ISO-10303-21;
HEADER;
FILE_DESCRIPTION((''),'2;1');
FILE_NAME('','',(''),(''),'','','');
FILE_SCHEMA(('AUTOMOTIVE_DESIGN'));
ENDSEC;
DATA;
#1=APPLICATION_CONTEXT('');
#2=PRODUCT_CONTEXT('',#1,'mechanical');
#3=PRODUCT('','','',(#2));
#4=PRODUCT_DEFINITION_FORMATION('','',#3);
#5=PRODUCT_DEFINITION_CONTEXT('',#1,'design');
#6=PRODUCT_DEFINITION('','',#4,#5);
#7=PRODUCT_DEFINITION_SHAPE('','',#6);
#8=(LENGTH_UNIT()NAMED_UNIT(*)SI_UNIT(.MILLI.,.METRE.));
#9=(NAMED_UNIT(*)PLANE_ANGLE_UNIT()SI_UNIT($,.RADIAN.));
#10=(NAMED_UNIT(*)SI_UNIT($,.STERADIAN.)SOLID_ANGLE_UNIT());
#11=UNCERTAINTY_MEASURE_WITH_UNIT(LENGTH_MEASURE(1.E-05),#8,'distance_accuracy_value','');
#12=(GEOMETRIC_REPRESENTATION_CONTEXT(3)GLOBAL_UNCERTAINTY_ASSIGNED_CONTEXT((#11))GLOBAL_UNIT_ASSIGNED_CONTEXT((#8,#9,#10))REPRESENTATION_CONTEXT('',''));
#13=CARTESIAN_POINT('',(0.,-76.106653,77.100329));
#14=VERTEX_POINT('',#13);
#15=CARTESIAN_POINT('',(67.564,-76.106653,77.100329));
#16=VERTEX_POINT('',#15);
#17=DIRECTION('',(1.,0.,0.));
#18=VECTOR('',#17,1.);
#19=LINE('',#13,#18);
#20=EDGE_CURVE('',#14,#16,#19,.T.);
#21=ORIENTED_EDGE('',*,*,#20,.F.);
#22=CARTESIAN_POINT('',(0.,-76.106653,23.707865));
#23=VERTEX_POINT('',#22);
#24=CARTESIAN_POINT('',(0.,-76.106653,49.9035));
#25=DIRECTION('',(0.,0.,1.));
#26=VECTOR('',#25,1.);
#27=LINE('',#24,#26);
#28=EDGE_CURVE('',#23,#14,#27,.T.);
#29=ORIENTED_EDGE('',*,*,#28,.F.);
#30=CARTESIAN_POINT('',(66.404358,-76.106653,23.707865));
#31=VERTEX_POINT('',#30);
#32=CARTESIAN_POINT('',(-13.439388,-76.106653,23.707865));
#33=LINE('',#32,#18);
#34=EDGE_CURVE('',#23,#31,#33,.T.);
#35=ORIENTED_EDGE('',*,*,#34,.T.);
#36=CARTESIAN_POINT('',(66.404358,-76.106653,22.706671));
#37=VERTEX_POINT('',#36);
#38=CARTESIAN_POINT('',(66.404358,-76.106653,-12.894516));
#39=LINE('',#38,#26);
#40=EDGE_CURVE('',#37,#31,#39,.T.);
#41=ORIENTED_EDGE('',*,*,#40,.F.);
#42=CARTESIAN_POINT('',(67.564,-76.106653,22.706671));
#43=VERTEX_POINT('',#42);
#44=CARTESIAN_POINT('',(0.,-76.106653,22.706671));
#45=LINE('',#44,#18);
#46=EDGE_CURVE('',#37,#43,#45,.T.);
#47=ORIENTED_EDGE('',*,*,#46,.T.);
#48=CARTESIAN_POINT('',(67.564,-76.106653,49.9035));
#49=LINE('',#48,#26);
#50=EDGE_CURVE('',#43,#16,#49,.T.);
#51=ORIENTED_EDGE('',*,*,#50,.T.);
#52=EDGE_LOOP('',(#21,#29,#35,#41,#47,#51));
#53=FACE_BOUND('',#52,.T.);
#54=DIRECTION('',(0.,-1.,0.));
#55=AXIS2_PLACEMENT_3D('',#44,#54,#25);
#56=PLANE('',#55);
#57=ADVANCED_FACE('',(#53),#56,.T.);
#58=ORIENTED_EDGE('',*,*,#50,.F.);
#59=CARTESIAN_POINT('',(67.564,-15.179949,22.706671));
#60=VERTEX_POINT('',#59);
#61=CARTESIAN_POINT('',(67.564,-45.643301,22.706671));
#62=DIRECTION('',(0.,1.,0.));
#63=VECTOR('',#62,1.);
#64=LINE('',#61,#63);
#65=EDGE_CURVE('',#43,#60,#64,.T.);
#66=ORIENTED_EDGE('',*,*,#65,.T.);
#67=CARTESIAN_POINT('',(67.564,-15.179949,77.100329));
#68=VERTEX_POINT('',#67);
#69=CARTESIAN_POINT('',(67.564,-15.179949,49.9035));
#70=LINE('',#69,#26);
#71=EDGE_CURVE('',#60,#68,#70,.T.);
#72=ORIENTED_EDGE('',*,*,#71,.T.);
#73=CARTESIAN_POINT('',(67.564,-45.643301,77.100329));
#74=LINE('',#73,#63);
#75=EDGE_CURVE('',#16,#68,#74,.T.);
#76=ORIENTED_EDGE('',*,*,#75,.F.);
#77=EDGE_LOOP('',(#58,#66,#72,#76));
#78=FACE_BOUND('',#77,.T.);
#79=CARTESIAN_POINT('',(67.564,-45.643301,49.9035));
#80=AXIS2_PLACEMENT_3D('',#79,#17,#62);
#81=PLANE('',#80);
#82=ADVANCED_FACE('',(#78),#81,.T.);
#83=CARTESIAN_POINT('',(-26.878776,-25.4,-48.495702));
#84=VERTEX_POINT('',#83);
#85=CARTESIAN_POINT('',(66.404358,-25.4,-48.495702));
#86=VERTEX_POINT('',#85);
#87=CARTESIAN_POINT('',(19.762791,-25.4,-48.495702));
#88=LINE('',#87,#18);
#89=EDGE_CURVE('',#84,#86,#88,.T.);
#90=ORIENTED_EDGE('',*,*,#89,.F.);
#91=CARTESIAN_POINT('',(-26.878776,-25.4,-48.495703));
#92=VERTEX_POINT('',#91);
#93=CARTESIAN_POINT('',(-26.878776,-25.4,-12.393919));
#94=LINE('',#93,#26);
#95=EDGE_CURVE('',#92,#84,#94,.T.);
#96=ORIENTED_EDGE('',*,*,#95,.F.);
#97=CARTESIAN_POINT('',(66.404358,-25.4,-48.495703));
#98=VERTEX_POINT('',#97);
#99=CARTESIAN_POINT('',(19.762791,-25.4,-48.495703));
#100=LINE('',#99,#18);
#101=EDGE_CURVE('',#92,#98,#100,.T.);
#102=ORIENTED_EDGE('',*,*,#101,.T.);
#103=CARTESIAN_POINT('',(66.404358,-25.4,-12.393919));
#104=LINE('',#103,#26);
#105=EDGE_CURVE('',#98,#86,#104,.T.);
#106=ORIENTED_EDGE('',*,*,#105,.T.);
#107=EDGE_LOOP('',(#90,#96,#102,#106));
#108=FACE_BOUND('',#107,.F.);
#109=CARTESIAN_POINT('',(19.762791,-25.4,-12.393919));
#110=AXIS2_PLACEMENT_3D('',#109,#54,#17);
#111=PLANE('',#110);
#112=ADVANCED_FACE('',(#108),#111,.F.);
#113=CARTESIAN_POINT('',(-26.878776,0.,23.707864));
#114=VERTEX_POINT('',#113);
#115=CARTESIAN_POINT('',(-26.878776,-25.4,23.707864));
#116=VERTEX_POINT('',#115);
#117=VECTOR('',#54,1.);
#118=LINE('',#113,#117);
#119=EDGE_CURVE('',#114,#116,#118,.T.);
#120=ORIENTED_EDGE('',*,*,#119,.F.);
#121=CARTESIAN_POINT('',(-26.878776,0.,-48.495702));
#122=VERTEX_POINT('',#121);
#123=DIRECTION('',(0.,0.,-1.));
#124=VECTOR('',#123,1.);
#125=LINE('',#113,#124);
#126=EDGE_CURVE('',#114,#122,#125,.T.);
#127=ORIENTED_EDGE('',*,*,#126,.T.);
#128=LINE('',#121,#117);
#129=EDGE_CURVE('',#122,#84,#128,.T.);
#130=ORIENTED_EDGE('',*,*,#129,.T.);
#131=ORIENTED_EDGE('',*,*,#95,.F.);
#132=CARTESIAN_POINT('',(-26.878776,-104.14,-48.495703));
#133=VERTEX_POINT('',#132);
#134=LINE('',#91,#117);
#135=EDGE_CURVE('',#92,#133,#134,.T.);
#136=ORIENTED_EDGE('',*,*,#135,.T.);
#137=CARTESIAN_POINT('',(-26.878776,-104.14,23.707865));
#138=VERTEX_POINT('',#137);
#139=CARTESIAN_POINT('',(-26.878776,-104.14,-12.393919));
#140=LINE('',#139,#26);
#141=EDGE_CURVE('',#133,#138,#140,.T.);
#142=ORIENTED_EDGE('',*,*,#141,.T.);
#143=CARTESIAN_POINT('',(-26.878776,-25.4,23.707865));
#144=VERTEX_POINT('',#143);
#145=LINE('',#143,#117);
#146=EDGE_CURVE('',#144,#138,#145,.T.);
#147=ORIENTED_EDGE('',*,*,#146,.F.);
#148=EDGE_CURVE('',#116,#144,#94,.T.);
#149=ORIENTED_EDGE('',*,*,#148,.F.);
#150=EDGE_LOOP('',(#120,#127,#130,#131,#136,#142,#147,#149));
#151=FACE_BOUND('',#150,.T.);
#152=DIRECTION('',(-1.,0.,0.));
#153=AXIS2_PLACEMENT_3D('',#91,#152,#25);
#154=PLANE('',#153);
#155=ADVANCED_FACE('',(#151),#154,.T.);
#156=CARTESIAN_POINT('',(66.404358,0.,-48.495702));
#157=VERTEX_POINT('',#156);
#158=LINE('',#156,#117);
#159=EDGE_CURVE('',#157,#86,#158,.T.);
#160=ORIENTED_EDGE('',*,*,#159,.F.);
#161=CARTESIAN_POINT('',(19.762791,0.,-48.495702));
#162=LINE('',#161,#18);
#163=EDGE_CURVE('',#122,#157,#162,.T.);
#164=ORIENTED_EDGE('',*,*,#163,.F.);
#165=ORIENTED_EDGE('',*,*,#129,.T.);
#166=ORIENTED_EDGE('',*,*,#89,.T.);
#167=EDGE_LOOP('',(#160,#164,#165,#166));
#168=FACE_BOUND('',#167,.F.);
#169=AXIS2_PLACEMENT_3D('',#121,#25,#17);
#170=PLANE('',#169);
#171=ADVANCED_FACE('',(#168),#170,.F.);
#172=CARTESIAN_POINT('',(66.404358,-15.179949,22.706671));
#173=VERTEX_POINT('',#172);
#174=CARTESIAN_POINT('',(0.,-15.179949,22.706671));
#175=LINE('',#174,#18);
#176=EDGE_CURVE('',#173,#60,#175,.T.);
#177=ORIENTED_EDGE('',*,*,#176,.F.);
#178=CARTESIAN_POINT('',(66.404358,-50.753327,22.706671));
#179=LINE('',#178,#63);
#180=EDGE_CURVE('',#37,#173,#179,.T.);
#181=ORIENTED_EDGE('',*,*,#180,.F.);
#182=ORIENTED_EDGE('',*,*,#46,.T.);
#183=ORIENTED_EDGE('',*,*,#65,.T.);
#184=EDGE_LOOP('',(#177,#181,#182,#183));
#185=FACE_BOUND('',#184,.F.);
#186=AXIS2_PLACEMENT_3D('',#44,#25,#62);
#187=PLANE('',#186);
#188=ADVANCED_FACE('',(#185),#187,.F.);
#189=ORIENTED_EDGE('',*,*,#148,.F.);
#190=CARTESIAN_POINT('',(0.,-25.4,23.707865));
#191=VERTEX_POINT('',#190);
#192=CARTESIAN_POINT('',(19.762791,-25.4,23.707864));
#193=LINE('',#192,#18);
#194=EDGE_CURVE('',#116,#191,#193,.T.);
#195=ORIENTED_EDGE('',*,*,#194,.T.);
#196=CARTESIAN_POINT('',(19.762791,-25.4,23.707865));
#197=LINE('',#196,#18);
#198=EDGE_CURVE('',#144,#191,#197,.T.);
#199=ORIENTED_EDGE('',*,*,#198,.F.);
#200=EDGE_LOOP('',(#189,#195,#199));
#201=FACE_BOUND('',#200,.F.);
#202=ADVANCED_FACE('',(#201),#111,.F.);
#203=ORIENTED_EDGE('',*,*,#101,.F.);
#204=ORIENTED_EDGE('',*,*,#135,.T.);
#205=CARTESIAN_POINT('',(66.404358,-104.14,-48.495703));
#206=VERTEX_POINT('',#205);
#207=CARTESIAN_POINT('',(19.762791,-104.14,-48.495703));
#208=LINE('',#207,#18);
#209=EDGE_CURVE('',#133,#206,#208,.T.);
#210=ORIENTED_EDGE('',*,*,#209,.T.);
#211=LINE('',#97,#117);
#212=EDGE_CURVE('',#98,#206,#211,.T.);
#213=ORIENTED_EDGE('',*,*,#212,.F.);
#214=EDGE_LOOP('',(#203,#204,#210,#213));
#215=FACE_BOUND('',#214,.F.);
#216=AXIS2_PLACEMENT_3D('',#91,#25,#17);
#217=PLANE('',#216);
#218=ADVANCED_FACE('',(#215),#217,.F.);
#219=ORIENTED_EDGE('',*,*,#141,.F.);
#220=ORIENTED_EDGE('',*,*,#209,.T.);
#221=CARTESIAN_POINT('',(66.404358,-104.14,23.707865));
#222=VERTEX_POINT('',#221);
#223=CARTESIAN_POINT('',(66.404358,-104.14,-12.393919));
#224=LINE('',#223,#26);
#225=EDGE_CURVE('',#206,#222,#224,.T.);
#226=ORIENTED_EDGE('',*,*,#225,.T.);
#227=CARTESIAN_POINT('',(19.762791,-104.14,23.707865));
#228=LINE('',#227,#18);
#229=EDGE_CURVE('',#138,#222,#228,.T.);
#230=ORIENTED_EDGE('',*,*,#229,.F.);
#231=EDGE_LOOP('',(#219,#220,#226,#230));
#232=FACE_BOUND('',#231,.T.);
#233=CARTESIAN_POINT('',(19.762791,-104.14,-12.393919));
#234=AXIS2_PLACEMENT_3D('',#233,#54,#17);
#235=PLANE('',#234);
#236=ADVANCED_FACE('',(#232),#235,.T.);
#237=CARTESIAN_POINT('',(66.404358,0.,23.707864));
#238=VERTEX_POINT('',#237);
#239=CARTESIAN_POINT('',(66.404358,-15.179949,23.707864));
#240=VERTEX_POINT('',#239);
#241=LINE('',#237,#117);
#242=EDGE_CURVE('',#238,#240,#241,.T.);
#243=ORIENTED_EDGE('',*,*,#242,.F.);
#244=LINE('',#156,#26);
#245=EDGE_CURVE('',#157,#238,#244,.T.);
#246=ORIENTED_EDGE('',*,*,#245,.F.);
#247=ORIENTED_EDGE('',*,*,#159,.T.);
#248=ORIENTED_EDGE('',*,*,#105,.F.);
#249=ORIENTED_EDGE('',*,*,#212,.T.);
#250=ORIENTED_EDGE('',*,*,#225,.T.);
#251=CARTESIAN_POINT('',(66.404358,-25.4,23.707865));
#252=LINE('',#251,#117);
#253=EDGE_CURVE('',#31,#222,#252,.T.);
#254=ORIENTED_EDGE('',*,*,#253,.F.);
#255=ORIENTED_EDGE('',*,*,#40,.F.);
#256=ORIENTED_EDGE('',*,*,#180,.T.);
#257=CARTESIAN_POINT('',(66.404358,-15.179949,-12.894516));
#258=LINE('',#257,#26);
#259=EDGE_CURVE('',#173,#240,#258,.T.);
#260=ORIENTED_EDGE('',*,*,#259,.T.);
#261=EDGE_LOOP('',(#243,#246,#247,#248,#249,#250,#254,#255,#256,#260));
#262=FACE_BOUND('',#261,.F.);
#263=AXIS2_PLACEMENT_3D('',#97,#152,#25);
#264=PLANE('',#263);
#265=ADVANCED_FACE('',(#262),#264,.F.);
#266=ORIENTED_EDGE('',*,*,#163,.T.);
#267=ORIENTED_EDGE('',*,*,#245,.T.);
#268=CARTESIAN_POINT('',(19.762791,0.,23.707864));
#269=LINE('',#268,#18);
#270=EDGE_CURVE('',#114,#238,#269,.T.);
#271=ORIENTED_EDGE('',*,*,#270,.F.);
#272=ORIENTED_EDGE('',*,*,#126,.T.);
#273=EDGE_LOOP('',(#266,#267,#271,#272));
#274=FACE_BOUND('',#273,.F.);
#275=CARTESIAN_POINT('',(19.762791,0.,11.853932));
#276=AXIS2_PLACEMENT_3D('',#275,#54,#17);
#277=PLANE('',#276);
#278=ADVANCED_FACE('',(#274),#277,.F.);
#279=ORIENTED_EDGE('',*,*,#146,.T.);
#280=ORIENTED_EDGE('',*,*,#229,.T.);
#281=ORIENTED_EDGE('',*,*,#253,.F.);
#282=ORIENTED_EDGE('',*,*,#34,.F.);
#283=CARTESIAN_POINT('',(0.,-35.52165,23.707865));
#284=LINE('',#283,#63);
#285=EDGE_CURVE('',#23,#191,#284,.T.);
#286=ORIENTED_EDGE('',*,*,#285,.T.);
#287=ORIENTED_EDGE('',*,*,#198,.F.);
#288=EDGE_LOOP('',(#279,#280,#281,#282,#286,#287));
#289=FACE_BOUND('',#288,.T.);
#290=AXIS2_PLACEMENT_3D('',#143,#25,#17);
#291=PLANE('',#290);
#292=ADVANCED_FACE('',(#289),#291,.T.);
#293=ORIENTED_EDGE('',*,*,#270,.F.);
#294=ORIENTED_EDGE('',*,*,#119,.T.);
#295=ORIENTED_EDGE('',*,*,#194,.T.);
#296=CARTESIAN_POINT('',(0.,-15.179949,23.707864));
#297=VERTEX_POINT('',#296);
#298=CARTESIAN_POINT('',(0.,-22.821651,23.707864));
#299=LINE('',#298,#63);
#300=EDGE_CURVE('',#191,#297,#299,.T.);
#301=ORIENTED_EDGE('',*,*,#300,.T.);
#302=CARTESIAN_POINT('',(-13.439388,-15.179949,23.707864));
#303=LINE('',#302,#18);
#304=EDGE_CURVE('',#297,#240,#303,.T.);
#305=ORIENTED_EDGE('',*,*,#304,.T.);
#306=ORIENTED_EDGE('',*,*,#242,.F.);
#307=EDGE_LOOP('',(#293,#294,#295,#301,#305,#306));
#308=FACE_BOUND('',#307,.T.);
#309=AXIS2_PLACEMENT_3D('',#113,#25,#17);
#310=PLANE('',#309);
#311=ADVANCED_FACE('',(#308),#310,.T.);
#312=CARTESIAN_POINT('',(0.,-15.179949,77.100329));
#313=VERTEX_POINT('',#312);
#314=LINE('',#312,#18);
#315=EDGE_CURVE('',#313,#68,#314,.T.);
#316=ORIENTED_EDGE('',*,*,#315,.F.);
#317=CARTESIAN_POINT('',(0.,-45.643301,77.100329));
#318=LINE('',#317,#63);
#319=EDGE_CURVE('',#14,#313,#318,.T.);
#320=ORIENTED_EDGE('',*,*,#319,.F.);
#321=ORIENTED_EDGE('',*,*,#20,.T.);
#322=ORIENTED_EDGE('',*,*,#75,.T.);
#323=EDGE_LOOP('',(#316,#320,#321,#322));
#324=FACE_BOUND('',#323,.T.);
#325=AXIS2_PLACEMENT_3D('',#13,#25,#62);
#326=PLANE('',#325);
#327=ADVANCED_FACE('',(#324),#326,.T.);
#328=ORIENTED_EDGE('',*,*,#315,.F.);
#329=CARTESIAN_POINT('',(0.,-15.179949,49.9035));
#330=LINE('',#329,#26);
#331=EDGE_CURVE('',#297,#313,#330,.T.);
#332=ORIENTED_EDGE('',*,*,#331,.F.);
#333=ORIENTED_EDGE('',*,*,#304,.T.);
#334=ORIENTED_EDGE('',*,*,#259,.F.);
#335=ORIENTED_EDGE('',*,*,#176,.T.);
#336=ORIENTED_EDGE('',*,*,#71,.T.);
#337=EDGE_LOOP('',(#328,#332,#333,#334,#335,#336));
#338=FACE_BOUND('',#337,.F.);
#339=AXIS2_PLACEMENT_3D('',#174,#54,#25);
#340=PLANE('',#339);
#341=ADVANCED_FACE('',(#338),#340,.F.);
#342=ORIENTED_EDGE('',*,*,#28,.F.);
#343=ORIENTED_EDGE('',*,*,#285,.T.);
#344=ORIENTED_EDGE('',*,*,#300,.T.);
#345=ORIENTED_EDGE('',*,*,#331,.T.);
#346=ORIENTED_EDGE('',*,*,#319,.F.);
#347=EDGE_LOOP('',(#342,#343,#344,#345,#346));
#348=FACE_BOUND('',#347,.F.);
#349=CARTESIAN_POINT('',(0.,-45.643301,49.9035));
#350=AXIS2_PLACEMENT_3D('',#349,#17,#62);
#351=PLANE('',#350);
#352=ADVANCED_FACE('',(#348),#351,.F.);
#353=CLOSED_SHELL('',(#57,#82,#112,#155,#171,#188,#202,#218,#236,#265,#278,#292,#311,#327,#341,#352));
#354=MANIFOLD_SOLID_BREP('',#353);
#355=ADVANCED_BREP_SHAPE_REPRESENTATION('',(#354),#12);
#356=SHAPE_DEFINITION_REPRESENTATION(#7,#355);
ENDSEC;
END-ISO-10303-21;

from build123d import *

# Parameters (mm, degrees)
F0_W      = 93.283134
F0_H      = 23.707865
F0_H_2    = 48.495702
F1_DEPTH  = 25.4
F1_FACE_W = 93.283134
F1_FACE_H = 72.203568
F2_DEPTH  = 78.74
F3_W      = 60.926704
F3_H      = 54.393658
F4_DEPTH  = 67.564


with BuildPart() as f1:
    # F0 (on Front) → F1 (new body)
    with BuildSketch(Plane.XZ):
        with Locations((19.762791, 11.853932)):
            Rectangle(F0_W, F0_H)
        with Locations((19.762791, -24.247851)):
            Rectangle(F0_W, F0_H_2)
    extrude(amount=F1_DEPTH)

    # F1_face (on face) → F2 (join)
    with BuildSketch(Plane(origin=(19.762791, -25.4, -12.393919), x_dir=(1, 0, 0), z_dir=(0, -1, 0))):
        Rectangle(F1_FACE_W, F1_FACE_H)
    extrude(amount=F2_DEPTH)

    # F3 (on Right) → F4 (join)
    with BuildSketch(Plane.YZ):
        with Locations((-45.643301, 49.9035)):
            Rectangle(F3_W, F3_H)
    extrude(amount=F4_DEPTH)


solid = f1.part
